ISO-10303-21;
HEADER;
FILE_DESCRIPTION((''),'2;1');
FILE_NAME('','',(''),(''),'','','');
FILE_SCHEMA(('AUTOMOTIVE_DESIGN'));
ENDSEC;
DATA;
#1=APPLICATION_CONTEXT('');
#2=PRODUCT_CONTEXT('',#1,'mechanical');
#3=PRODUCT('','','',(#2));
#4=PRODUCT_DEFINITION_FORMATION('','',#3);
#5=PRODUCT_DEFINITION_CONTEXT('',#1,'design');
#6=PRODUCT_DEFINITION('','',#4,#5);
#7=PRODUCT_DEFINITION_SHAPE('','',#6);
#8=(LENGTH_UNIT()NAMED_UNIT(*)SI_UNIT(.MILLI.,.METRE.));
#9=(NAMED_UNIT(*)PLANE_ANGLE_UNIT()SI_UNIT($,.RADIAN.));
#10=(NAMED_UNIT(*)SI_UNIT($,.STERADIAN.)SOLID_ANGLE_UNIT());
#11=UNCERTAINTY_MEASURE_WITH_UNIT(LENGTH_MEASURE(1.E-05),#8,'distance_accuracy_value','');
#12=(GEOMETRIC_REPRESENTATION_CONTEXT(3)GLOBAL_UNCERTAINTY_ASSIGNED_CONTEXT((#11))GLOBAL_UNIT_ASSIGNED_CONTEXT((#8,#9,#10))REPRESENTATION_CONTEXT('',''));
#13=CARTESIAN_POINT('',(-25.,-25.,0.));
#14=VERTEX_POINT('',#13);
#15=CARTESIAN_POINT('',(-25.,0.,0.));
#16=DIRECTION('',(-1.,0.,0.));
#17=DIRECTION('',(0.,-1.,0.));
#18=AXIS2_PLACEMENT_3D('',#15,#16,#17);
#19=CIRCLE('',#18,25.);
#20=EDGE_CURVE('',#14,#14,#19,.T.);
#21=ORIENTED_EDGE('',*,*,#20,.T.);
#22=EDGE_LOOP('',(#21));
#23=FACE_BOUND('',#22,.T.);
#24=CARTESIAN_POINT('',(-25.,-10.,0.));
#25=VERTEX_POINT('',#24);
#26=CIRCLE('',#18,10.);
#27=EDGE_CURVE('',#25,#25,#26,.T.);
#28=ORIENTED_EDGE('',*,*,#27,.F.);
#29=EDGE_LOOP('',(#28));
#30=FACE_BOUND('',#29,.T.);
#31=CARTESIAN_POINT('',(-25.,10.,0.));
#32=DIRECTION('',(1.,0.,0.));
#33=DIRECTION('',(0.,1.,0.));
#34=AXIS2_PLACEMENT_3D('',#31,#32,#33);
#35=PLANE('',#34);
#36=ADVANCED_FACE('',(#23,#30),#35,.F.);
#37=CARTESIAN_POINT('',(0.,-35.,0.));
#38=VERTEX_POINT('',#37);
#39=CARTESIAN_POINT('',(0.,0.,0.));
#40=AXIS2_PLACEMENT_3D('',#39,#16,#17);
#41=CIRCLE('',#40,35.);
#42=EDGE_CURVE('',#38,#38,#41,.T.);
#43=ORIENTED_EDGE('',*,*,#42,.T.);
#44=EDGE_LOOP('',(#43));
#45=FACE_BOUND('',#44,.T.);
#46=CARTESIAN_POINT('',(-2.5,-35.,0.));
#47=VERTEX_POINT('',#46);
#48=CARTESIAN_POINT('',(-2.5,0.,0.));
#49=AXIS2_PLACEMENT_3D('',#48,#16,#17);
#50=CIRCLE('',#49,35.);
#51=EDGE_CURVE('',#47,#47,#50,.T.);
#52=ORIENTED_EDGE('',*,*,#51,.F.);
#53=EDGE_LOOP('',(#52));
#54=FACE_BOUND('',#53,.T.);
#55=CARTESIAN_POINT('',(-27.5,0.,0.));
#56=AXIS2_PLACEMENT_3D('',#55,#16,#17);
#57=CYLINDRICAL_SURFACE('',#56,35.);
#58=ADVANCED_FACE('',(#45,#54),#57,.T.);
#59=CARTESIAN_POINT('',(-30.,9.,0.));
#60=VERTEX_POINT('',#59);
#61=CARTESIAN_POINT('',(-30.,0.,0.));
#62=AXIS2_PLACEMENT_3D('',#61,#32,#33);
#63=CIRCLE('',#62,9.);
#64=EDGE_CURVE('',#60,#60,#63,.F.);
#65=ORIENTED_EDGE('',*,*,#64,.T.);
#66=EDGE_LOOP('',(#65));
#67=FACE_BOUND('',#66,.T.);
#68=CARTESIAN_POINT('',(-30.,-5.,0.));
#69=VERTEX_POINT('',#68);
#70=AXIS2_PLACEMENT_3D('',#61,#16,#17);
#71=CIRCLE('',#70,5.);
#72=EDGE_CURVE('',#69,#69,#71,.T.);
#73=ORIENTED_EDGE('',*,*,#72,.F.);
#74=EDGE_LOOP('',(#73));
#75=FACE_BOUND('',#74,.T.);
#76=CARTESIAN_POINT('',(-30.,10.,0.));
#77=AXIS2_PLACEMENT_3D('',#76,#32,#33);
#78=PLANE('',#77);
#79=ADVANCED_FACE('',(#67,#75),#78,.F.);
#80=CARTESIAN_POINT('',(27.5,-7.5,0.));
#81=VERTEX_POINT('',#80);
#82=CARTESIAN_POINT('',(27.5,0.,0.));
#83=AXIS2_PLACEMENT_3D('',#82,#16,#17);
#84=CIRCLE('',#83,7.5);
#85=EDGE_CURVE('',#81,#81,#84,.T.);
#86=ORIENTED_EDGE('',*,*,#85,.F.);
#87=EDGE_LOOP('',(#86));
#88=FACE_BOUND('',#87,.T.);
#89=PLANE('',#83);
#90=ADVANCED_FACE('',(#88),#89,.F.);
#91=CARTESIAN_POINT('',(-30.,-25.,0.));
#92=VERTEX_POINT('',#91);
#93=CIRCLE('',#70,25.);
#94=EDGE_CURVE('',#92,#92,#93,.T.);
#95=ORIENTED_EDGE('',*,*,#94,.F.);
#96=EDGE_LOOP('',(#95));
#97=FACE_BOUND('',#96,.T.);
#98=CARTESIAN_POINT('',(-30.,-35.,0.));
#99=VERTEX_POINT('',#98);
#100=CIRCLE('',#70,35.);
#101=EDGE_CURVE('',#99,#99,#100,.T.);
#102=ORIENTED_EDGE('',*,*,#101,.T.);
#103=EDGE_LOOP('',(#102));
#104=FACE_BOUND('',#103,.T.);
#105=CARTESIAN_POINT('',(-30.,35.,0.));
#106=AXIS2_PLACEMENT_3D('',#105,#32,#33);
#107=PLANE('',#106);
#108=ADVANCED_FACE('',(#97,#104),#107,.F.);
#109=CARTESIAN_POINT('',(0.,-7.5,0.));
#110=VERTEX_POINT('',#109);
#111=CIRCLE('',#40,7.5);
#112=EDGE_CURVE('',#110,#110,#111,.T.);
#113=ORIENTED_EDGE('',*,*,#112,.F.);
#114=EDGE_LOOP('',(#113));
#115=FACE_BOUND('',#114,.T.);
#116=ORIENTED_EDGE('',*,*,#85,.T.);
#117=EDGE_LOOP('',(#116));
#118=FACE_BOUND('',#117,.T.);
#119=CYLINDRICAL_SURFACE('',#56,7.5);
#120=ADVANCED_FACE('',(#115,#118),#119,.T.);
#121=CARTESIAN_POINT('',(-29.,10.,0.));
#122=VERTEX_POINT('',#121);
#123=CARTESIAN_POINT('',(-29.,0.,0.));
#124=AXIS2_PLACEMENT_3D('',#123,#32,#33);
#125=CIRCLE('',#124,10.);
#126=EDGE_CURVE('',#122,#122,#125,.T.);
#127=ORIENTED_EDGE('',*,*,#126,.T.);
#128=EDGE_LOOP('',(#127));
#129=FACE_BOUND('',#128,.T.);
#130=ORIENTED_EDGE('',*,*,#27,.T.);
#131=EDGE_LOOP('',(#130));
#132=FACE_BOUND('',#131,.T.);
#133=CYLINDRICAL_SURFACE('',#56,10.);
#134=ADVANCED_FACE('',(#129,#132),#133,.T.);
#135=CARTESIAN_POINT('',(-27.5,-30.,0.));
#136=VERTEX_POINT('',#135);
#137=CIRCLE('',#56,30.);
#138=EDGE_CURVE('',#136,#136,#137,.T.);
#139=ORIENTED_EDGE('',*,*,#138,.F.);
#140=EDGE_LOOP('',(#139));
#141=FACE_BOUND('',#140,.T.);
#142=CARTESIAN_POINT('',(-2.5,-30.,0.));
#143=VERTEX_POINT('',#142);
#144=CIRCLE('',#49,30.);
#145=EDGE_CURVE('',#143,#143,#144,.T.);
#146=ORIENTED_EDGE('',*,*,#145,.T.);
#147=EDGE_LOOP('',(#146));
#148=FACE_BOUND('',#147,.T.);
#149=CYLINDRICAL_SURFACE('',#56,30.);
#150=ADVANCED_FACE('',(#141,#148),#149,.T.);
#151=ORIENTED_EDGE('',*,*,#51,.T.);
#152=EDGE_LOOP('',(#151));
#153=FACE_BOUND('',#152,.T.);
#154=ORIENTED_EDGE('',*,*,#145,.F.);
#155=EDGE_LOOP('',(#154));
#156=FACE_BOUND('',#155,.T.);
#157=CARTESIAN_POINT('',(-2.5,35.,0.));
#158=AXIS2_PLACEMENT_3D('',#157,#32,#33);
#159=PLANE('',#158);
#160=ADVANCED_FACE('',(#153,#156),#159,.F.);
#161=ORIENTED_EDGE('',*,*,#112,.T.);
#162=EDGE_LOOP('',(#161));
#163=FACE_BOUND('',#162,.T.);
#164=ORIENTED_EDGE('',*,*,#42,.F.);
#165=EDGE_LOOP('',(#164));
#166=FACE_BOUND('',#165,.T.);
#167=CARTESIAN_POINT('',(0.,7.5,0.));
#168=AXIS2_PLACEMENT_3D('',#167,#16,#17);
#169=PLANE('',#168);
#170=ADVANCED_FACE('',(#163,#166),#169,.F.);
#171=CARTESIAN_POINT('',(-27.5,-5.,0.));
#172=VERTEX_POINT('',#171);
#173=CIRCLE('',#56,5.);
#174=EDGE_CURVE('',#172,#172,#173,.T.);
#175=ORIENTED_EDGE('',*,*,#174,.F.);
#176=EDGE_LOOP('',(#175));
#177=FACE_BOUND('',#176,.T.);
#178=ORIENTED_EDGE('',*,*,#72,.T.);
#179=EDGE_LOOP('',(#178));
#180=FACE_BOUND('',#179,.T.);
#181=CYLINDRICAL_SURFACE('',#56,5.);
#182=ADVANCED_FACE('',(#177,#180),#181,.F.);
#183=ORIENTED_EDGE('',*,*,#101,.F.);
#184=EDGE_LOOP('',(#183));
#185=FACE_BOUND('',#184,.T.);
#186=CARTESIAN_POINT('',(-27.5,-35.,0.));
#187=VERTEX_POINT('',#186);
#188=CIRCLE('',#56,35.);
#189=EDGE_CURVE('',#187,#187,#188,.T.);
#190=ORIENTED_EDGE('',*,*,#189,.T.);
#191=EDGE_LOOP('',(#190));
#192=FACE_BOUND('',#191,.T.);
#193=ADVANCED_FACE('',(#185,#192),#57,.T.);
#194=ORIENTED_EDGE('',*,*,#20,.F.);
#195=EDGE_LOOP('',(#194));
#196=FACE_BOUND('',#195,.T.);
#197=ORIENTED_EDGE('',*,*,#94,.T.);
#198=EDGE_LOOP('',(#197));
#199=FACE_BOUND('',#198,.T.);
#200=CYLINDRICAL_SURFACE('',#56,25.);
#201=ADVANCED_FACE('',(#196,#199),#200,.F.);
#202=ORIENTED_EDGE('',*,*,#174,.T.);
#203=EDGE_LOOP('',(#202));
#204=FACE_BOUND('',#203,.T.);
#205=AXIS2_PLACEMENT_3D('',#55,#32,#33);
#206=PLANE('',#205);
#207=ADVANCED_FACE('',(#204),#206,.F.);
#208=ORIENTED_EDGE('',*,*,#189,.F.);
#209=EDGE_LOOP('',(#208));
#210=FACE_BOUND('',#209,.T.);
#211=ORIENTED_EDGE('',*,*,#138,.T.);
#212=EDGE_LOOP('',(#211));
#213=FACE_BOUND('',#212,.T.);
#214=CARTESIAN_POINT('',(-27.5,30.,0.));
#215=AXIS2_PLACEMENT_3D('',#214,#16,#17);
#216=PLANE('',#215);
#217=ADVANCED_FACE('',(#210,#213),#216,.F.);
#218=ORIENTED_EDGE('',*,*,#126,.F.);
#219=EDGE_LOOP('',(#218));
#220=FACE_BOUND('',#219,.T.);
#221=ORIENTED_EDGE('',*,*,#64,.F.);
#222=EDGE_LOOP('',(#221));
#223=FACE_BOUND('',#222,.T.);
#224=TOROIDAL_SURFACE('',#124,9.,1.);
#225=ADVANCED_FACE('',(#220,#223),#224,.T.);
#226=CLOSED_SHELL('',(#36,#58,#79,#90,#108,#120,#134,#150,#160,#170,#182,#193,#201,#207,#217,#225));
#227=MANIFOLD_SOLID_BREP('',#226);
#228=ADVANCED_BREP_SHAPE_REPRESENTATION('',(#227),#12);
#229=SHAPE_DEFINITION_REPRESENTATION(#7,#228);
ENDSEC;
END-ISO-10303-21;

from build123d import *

# Parameters (mm, degrees)
FILLET1_R = 1


with BuildPart() as part:
    # Sketch1 → Revolve1 (revolve)
    with BuildSketch(Plane.XY, mode=Mode.PRIVATE) as revolve1_sk:
        Polygon((0, 7.5), (0, 35), (-2.5, 35), (-2.5, 30), (-27.5, 30), (-27.5, 35), (-30, 35), (-30, 25), (-25, 25), (-25, 10), (-30, 10), (-30, 5), (-27.5, 5), (-27.5, 0), (27.5, 0), (27.5, 7.5), align=None)
    revolve(revolve1_sk.sketch.rotate(Axis((-27.5, 0, 0), (1, 0, 0)), 180), axis=Axis((-27.5, 0, 0), (1, 0, 0)))

    # Fillet1
    fillet1_edges = [part.edges().sort_by_distance(p)[0] for p in [
        (-30, 10, 0),
    ]]
    fillet(fillet1_edges, radius=FILLET1_R)


solid = part.part
